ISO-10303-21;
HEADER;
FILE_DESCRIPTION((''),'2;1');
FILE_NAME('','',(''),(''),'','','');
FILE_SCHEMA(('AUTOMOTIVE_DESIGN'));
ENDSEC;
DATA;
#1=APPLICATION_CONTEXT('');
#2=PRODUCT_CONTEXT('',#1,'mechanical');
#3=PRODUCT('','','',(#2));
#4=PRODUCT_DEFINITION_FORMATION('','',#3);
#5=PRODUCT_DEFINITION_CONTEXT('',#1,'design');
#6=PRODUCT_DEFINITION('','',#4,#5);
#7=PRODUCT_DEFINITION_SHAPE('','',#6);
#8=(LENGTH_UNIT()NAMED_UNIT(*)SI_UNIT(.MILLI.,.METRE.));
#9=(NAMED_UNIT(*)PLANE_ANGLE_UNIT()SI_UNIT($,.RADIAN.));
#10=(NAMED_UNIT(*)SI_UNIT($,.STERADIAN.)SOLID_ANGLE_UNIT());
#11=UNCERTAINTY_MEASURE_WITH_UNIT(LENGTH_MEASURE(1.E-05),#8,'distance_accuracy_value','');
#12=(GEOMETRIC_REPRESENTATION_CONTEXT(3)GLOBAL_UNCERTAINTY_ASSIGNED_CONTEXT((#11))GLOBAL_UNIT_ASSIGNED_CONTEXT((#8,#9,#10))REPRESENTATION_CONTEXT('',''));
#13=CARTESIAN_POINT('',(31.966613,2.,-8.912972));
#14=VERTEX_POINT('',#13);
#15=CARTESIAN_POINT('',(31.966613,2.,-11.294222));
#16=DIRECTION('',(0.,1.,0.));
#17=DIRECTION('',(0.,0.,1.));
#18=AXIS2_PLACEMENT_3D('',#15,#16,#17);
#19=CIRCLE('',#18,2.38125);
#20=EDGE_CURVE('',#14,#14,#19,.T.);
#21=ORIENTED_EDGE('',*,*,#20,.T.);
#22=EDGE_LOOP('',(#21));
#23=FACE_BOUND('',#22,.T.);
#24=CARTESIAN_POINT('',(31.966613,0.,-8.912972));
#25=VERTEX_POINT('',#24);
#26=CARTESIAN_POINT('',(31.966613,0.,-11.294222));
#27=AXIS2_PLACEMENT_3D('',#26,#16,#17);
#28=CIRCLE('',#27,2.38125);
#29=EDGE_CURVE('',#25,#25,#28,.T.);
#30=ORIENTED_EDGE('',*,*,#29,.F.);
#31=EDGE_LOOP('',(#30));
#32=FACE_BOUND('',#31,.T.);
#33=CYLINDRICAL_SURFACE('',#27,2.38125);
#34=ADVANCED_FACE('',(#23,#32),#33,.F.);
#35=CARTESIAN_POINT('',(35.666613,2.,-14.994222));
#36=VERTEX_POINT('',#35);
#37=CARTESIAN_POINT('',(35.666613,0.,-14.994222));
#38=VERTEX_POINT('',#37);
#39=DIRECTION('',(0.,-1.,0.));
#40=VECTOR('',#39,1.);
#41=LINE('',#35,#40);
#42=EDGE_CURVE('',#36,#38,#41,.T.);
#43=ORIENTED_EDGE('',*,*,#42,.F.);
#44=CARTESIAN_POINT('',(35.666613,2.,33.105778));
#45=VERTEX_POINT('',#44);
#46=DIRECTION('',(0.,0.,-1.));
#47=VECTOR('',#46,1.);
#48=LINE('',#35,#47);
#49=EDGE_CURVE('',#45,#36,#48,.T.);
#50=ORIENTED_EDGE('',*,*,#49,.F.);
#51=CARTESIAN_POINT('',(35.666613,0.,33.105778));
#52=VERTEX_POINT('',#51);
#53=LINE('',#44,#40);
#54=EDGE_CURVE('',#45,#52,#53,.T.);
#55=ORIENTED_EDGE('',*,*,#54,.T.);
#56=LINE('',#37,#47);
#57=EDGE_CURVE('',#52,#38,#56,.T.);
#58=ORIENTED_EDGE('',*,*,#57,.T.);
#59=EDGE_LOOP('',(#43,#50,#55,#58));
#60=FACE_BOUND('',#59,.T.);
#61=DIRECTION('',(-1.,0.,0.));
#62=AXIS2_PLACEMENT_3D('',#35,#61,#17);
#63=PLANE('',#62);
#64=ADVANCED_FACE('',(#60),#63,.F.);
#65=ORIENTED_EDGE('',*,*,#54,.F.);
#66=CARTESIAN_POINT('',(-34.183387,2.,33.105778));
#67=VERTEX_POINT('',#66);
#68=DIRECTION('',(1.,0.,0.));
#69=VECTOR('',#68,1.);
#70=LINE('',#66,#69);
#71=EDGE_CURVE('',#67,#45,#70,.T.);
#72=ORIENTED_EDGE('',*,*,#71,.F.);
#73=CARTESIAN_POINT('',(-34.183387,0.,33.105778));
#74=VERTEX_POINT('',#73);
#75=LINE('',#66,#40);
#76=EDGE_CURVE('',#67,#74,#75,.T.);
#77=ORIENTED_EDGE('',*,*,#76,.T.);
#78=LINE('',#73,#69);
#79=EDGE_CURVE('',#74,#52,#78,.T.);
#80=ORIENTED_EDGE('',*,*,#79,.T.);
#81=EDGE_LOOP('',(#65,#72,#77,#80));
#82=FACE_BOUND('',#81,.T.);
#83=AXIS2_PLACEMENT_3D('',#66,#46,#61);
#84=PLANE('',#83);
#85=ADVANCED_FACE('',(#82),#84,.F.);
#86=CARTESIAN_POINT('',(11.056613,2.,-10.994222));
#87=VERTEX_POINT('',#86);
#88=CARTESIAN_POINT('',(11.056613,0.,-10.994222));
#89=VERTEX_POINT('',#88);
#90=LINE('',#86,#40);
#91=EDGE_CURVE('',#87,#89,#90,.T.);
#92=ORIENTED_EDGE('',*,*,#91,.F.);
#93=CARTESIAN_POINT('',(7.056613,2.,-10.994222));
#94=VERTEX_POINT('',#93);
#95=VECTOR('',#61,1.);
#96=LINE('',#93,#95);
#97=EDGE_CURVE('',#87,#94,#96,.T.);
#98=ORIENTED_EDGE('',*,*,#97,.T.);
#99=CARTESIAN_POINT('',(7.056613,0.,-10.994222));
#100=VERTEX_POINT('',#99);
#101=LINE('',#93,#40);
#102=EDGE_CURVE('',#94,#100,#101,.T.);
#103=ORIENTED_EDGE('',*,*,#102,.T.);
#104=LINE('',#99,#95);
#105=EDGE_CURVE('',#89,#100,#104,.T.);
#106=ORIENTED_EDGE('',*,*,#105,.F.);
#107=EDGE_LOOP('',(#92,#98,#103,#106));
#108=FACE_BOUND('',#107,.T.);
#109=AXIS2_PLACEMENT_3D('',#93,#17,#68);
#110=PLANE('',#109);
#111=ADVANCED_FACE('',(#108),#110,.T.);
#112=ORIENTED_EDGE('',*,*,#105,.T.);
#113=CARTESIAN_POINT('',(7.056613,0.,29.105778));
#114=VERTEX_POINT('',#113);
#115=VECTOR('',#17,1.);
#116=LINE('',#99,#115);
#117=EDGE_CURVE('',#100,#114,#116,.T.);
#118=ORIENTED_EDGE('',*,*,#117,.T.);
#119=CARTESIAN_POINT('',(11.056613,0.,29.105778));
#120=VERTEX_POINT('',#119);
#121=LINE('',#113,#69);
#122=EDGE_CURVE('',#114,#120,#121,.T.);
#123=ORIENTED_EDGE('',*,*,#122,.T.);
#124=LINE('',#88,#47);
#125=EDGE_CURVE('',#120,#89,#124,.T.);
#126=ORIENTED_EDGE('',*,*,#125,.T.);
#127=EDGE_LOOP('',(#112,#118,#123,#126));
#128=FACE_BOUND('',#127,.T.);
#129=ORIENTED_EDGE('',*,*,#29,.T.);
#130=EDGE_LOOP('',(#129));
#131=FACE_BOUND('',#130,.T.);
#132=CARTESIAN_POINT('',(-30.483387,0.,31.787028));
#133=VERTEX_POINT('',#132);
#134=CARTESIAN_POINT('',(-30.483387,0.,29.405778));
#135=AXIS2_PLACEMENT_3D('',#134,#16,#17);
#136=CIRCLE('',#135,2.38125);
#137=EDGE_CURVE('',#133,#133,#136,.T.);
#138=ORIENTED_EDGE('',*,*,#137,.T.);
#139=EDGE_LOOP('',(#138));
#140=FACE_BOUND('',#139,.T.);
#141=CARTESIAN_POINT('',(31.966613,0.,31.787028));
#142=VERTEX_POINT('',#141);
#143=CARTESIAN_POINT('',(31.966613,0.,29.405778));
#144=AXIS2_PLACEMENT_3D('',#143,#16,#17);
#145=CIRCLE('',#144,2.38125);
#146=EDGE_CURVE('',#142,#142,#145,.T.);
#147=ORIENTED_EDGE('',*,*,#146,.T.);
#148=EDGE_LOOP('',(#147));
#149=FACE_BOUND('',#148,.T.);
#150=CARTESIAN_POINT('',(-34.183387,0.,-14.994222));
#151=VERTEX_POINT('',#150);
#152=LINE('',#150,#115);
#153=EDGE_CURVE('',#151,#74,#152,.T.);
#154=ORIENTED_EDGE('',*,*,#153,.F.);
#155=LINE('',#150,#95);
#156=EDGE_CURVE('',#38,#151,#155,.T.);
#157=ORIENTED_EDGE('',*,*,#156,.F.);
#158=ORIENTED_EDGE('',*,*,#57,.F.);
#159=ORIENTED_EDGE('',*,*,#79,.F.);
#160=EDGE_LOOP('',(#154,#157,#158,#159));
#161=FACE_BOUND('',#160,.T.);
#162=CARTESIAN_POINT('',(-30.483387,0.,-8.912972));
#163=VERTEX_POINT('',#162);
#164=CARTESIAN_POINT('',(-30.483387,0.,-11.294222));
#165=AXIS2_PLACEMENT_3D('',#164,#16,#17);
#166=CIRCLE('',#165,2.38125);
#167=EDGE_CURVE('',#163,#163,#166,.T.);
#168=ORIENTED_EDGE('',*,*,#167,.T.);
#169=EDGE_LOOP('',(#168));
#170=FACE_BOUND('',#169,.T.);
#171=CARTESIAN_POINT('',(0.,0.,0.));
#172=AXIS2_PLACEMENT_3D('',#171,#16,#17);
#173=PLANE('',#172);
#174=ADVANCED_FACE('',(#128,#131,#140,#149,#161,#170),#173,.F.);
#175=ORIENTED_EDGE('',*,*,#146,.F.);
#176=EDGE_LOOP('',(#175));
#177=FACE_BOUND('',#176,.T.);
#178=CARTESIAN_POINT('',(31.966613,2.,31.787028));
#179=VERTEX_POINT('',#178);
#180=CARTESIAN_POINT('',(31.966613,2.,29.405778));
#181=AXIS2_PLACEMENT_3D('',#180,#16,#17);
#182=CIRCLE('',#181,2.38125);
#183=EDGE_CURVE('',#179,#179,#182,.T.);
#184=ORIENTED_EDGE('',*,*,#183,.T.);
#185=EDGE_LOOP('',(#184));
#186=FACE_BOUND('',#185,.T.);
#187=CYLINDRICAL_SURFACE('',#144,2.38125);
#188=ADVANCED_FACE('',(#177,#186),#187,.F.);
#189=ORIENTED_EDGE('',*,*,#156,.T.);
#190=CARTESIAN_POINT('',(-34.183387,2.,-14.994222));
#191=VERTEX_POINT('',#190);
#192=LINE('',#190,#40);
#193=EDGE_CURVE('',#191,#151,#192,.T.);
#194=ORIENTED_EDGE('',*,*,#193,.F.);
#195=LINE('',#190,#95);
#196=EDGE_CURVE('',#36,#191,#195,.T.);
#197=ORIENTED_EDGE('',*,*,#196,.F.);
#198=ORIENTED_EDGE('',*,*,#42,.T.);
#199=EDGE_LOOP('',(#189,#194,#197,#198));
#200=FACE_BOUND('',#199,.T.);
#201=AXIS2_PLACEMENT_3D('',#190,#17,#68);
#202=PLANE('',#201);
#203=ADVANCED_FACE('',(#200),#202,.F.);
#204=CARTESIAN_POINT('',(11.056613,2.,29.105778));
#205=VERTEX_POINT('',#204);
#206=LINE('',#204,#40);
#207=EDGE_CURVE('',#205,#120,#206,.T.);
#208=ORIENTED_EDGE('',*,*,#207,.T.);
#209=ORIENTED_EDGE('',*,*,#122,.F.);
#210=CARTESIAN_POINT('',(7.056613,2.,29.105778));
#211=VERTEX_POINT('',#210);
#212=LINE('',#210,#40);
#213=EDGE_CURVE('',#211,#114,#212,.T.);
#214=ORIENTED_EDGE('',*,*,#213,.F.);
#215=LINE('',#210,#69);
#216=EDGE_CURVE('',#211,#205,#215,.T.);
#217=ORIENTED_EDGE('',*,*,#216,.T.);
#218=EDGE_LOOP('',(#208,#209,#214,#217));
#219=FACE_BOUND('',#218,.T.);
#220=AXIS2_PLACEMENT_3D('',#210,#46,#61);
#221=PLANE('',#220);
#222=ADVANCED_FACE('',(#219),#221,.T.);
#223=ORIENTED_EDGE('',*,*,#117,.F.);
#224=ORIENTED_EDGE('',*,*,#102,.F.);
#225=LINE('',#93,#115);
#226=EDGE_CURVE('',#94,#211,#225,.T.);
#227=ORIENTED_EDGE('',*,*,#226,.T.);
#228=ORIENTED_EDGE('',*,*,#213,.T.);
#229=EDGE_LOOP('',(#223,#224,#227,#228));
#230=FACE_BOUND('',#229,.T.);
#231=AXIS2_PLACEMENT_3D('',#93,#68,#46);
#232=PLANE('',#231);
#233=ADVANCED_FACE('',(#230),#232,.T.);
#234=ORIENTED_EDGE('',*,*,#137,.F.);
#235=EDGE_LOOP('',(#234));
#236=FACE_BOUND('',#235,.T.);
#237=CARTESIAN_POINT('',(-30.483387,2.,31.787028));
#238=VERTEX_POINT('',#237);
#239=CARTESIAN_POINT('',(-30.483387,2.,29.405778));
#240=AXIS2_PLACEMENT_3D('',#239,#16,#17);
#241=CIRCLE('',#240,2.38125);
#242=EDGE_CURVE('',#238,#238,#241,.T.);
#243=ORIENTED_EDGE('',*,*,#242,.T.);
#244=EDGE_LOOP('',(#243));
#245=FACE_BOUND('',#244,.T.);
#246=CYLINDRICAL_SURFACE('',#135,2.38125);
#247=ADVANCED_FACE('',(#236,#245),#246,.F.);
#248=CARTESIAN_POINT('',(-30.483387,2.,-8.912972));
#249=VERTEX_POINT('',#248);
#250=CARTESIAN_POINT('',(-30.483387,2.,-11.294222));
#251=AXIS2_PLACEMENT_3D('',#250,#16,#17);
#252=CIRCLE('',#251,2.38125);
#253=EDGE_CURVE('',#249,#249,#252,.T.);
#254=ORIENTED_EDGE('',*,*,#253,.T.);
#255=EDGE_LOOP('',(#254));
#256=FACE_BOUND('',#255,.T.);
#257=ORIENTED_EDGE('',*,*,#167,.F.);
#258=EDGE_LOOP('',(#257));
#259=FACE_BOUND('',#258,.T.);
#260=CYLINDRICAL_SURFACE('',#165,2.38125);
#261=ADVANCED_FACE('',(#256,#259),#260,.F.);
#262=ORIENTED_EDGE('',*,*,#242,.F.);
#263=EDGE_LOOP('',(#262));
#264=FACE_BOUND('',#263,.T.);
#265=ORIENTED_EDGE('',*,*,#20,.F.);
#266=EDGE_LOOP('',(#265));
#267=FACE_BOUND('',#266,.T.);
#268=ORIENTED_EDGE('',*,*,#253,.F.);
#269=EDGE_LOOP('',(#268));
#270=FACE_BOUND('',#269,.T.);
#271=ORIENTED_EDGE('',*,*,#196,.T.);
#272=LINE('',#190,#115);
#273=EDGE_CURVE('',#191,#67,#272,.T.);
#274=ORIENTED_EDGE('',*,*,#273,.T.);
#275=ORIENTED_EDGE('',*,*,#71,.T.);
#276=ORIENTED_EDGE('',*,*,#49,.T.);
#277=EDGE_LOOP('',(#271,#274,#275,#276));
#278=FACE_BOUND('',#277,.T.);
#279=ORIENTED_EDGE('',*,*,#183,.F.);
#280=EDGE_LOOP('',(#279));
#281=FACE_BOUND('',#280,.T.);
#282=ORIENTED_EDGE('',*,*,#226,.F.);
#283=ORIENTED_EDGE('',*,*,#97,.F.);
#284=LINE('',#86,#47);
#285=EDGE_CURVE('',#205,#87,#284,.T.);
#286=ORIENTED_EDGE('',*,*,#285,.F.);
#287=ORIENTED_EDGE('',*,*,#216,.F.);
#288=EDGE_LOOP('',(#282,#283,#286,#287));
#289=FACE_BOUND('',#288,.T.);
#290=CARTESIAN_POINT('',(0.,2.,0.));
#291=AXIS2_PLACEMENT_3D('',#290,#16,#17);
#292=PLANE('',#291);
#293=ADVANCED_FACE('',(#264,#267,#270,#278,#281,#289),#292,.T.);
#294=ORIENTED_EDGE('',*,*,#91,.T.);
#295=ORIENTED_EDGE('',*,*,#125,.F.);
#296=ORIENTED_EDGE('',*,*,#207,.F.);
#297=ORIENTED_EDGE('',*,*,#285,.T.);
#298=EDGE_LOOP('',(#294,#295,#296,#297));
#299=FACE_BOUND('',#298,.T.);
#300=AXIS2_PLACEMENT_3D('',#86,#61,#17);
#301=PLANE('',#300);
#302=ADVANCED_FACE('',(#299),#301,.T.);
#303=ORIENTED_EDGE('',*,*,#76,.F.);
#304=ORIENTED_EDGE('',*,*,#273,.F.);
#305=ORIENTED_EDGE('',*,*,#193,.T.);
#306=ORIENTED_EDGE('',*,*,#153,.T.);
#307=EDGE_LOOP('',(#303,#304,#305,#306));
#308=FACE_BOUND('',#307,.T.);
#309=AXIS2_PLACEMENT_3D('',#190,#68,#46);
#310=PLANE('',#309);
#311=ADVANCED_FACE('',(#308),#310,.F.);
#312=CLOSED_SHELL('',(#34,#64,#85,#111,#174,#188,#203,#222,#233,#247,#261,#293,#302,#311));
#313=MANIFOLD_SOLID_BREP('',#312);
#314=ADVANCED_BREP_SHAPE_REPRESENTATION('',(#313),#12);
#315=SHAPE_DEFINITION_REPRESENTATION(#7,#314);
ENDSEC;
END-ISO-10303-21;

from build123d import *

# Parameters (mm, degrees)
SKETCH1_W           = 69.85
SKETCH1_H           = 48.1
SKETCH1_W_2         = 4
SKETCH1_H_2         = 40.1
BOSS_EXTRUDE1_DEPTH = 2
SKETCH2_R           = 2.38125
CUT_EXTRUDE1_DEPTH  = 2
SKETCH3_R           = 2.38125
CUT_EXTRUDE2_DEPTH  = 2
SKETCH4_R           = 2.38125
CUT_EXTRUDE3_DEPTH  = 2
SKETCH5_R           = 2.38125
CUT_EXTRUDE4_DEPTH  = 2


with BuildPart() as part:
    # Sketch1 → Boss-Extrude1 (new body)
    with BuildSketch(Plane(origin=(0, 0, 0), x_dir=(1, 0, 0), z_dir=(0, 1, 0))):
        with Locations((0.741612582, -9.055777885)):
            Rectangle(SKETCH1_W, SKETCH1_H)
        with Locations((9.056612582, -9.055777885)):
            Rectangle(SKETCH1_W_2, SKETCH1_H_2, mode=Mode.SUBTRACT)
    extrude(amount=BOSS_EXTRUDE1_DEPTH)

    # Sketch2 → Cut-Extrude1 (cut)
    with BuildSketch(Plane(origin=(0, 2, 0), x_dir=(1, 0, 0), z_dir=(0, 1, 0))):
        with Locations(Location((-30.483387418, -29.405777885, 0), (0, 0, 270))):
            Circle(SKETCH2_R)
    extrude(amount=-CUT_EXTRUDE1_DEPTH, mode=Mode.SUBTRACT)

    # Sketch3 → Cut-Extrude2 (cut)
    with BuildSketch(Plane(origin=(0, 2, 0), x_dir=(1, 0, 0), z_dir=(0, 1, 0))):
        with Locations(Location((-30.483387418, 11.294222115, 0), (0, 0, 270))):
            Circle(SKETCH3_R)
    extrude(amount=-CUT_EXTRUDE2_DEPTH, mode=Mode.SUBTRACT)

    # Sketch4 → Cut-Extrude3 (cut)
    with BuildSketch(Plane(origin=(0, 2, 0), x_dir=(1, 0, 0), z_dir=(0, 1, 0))):
        with Locations(Location((31.966612582, -29.405777885, 0), (0, 0, 270))):
            Circle(SKETCH4_R)
    extrude(amount=-CUT_EXTRUDE3_DEPTH, mode=Mode.SUBTRACT)

    # Sketch5 → Cut-Extrude4 (cut)
    with BuildSketch(Plane(origin=(0, 2, 0), x_dir=(1, 0, 0), z_dir=(0, 1, 0))):
        with Locations(Location((31.966612582, 11.294222115, 0), (0, 0, 270))):
            Circle(SKETCH5_R)
    extrude(amount=-CUT_EXTRUDE4_DEPTH, mode=Mode.SUBTRACT)


solid = part.part
